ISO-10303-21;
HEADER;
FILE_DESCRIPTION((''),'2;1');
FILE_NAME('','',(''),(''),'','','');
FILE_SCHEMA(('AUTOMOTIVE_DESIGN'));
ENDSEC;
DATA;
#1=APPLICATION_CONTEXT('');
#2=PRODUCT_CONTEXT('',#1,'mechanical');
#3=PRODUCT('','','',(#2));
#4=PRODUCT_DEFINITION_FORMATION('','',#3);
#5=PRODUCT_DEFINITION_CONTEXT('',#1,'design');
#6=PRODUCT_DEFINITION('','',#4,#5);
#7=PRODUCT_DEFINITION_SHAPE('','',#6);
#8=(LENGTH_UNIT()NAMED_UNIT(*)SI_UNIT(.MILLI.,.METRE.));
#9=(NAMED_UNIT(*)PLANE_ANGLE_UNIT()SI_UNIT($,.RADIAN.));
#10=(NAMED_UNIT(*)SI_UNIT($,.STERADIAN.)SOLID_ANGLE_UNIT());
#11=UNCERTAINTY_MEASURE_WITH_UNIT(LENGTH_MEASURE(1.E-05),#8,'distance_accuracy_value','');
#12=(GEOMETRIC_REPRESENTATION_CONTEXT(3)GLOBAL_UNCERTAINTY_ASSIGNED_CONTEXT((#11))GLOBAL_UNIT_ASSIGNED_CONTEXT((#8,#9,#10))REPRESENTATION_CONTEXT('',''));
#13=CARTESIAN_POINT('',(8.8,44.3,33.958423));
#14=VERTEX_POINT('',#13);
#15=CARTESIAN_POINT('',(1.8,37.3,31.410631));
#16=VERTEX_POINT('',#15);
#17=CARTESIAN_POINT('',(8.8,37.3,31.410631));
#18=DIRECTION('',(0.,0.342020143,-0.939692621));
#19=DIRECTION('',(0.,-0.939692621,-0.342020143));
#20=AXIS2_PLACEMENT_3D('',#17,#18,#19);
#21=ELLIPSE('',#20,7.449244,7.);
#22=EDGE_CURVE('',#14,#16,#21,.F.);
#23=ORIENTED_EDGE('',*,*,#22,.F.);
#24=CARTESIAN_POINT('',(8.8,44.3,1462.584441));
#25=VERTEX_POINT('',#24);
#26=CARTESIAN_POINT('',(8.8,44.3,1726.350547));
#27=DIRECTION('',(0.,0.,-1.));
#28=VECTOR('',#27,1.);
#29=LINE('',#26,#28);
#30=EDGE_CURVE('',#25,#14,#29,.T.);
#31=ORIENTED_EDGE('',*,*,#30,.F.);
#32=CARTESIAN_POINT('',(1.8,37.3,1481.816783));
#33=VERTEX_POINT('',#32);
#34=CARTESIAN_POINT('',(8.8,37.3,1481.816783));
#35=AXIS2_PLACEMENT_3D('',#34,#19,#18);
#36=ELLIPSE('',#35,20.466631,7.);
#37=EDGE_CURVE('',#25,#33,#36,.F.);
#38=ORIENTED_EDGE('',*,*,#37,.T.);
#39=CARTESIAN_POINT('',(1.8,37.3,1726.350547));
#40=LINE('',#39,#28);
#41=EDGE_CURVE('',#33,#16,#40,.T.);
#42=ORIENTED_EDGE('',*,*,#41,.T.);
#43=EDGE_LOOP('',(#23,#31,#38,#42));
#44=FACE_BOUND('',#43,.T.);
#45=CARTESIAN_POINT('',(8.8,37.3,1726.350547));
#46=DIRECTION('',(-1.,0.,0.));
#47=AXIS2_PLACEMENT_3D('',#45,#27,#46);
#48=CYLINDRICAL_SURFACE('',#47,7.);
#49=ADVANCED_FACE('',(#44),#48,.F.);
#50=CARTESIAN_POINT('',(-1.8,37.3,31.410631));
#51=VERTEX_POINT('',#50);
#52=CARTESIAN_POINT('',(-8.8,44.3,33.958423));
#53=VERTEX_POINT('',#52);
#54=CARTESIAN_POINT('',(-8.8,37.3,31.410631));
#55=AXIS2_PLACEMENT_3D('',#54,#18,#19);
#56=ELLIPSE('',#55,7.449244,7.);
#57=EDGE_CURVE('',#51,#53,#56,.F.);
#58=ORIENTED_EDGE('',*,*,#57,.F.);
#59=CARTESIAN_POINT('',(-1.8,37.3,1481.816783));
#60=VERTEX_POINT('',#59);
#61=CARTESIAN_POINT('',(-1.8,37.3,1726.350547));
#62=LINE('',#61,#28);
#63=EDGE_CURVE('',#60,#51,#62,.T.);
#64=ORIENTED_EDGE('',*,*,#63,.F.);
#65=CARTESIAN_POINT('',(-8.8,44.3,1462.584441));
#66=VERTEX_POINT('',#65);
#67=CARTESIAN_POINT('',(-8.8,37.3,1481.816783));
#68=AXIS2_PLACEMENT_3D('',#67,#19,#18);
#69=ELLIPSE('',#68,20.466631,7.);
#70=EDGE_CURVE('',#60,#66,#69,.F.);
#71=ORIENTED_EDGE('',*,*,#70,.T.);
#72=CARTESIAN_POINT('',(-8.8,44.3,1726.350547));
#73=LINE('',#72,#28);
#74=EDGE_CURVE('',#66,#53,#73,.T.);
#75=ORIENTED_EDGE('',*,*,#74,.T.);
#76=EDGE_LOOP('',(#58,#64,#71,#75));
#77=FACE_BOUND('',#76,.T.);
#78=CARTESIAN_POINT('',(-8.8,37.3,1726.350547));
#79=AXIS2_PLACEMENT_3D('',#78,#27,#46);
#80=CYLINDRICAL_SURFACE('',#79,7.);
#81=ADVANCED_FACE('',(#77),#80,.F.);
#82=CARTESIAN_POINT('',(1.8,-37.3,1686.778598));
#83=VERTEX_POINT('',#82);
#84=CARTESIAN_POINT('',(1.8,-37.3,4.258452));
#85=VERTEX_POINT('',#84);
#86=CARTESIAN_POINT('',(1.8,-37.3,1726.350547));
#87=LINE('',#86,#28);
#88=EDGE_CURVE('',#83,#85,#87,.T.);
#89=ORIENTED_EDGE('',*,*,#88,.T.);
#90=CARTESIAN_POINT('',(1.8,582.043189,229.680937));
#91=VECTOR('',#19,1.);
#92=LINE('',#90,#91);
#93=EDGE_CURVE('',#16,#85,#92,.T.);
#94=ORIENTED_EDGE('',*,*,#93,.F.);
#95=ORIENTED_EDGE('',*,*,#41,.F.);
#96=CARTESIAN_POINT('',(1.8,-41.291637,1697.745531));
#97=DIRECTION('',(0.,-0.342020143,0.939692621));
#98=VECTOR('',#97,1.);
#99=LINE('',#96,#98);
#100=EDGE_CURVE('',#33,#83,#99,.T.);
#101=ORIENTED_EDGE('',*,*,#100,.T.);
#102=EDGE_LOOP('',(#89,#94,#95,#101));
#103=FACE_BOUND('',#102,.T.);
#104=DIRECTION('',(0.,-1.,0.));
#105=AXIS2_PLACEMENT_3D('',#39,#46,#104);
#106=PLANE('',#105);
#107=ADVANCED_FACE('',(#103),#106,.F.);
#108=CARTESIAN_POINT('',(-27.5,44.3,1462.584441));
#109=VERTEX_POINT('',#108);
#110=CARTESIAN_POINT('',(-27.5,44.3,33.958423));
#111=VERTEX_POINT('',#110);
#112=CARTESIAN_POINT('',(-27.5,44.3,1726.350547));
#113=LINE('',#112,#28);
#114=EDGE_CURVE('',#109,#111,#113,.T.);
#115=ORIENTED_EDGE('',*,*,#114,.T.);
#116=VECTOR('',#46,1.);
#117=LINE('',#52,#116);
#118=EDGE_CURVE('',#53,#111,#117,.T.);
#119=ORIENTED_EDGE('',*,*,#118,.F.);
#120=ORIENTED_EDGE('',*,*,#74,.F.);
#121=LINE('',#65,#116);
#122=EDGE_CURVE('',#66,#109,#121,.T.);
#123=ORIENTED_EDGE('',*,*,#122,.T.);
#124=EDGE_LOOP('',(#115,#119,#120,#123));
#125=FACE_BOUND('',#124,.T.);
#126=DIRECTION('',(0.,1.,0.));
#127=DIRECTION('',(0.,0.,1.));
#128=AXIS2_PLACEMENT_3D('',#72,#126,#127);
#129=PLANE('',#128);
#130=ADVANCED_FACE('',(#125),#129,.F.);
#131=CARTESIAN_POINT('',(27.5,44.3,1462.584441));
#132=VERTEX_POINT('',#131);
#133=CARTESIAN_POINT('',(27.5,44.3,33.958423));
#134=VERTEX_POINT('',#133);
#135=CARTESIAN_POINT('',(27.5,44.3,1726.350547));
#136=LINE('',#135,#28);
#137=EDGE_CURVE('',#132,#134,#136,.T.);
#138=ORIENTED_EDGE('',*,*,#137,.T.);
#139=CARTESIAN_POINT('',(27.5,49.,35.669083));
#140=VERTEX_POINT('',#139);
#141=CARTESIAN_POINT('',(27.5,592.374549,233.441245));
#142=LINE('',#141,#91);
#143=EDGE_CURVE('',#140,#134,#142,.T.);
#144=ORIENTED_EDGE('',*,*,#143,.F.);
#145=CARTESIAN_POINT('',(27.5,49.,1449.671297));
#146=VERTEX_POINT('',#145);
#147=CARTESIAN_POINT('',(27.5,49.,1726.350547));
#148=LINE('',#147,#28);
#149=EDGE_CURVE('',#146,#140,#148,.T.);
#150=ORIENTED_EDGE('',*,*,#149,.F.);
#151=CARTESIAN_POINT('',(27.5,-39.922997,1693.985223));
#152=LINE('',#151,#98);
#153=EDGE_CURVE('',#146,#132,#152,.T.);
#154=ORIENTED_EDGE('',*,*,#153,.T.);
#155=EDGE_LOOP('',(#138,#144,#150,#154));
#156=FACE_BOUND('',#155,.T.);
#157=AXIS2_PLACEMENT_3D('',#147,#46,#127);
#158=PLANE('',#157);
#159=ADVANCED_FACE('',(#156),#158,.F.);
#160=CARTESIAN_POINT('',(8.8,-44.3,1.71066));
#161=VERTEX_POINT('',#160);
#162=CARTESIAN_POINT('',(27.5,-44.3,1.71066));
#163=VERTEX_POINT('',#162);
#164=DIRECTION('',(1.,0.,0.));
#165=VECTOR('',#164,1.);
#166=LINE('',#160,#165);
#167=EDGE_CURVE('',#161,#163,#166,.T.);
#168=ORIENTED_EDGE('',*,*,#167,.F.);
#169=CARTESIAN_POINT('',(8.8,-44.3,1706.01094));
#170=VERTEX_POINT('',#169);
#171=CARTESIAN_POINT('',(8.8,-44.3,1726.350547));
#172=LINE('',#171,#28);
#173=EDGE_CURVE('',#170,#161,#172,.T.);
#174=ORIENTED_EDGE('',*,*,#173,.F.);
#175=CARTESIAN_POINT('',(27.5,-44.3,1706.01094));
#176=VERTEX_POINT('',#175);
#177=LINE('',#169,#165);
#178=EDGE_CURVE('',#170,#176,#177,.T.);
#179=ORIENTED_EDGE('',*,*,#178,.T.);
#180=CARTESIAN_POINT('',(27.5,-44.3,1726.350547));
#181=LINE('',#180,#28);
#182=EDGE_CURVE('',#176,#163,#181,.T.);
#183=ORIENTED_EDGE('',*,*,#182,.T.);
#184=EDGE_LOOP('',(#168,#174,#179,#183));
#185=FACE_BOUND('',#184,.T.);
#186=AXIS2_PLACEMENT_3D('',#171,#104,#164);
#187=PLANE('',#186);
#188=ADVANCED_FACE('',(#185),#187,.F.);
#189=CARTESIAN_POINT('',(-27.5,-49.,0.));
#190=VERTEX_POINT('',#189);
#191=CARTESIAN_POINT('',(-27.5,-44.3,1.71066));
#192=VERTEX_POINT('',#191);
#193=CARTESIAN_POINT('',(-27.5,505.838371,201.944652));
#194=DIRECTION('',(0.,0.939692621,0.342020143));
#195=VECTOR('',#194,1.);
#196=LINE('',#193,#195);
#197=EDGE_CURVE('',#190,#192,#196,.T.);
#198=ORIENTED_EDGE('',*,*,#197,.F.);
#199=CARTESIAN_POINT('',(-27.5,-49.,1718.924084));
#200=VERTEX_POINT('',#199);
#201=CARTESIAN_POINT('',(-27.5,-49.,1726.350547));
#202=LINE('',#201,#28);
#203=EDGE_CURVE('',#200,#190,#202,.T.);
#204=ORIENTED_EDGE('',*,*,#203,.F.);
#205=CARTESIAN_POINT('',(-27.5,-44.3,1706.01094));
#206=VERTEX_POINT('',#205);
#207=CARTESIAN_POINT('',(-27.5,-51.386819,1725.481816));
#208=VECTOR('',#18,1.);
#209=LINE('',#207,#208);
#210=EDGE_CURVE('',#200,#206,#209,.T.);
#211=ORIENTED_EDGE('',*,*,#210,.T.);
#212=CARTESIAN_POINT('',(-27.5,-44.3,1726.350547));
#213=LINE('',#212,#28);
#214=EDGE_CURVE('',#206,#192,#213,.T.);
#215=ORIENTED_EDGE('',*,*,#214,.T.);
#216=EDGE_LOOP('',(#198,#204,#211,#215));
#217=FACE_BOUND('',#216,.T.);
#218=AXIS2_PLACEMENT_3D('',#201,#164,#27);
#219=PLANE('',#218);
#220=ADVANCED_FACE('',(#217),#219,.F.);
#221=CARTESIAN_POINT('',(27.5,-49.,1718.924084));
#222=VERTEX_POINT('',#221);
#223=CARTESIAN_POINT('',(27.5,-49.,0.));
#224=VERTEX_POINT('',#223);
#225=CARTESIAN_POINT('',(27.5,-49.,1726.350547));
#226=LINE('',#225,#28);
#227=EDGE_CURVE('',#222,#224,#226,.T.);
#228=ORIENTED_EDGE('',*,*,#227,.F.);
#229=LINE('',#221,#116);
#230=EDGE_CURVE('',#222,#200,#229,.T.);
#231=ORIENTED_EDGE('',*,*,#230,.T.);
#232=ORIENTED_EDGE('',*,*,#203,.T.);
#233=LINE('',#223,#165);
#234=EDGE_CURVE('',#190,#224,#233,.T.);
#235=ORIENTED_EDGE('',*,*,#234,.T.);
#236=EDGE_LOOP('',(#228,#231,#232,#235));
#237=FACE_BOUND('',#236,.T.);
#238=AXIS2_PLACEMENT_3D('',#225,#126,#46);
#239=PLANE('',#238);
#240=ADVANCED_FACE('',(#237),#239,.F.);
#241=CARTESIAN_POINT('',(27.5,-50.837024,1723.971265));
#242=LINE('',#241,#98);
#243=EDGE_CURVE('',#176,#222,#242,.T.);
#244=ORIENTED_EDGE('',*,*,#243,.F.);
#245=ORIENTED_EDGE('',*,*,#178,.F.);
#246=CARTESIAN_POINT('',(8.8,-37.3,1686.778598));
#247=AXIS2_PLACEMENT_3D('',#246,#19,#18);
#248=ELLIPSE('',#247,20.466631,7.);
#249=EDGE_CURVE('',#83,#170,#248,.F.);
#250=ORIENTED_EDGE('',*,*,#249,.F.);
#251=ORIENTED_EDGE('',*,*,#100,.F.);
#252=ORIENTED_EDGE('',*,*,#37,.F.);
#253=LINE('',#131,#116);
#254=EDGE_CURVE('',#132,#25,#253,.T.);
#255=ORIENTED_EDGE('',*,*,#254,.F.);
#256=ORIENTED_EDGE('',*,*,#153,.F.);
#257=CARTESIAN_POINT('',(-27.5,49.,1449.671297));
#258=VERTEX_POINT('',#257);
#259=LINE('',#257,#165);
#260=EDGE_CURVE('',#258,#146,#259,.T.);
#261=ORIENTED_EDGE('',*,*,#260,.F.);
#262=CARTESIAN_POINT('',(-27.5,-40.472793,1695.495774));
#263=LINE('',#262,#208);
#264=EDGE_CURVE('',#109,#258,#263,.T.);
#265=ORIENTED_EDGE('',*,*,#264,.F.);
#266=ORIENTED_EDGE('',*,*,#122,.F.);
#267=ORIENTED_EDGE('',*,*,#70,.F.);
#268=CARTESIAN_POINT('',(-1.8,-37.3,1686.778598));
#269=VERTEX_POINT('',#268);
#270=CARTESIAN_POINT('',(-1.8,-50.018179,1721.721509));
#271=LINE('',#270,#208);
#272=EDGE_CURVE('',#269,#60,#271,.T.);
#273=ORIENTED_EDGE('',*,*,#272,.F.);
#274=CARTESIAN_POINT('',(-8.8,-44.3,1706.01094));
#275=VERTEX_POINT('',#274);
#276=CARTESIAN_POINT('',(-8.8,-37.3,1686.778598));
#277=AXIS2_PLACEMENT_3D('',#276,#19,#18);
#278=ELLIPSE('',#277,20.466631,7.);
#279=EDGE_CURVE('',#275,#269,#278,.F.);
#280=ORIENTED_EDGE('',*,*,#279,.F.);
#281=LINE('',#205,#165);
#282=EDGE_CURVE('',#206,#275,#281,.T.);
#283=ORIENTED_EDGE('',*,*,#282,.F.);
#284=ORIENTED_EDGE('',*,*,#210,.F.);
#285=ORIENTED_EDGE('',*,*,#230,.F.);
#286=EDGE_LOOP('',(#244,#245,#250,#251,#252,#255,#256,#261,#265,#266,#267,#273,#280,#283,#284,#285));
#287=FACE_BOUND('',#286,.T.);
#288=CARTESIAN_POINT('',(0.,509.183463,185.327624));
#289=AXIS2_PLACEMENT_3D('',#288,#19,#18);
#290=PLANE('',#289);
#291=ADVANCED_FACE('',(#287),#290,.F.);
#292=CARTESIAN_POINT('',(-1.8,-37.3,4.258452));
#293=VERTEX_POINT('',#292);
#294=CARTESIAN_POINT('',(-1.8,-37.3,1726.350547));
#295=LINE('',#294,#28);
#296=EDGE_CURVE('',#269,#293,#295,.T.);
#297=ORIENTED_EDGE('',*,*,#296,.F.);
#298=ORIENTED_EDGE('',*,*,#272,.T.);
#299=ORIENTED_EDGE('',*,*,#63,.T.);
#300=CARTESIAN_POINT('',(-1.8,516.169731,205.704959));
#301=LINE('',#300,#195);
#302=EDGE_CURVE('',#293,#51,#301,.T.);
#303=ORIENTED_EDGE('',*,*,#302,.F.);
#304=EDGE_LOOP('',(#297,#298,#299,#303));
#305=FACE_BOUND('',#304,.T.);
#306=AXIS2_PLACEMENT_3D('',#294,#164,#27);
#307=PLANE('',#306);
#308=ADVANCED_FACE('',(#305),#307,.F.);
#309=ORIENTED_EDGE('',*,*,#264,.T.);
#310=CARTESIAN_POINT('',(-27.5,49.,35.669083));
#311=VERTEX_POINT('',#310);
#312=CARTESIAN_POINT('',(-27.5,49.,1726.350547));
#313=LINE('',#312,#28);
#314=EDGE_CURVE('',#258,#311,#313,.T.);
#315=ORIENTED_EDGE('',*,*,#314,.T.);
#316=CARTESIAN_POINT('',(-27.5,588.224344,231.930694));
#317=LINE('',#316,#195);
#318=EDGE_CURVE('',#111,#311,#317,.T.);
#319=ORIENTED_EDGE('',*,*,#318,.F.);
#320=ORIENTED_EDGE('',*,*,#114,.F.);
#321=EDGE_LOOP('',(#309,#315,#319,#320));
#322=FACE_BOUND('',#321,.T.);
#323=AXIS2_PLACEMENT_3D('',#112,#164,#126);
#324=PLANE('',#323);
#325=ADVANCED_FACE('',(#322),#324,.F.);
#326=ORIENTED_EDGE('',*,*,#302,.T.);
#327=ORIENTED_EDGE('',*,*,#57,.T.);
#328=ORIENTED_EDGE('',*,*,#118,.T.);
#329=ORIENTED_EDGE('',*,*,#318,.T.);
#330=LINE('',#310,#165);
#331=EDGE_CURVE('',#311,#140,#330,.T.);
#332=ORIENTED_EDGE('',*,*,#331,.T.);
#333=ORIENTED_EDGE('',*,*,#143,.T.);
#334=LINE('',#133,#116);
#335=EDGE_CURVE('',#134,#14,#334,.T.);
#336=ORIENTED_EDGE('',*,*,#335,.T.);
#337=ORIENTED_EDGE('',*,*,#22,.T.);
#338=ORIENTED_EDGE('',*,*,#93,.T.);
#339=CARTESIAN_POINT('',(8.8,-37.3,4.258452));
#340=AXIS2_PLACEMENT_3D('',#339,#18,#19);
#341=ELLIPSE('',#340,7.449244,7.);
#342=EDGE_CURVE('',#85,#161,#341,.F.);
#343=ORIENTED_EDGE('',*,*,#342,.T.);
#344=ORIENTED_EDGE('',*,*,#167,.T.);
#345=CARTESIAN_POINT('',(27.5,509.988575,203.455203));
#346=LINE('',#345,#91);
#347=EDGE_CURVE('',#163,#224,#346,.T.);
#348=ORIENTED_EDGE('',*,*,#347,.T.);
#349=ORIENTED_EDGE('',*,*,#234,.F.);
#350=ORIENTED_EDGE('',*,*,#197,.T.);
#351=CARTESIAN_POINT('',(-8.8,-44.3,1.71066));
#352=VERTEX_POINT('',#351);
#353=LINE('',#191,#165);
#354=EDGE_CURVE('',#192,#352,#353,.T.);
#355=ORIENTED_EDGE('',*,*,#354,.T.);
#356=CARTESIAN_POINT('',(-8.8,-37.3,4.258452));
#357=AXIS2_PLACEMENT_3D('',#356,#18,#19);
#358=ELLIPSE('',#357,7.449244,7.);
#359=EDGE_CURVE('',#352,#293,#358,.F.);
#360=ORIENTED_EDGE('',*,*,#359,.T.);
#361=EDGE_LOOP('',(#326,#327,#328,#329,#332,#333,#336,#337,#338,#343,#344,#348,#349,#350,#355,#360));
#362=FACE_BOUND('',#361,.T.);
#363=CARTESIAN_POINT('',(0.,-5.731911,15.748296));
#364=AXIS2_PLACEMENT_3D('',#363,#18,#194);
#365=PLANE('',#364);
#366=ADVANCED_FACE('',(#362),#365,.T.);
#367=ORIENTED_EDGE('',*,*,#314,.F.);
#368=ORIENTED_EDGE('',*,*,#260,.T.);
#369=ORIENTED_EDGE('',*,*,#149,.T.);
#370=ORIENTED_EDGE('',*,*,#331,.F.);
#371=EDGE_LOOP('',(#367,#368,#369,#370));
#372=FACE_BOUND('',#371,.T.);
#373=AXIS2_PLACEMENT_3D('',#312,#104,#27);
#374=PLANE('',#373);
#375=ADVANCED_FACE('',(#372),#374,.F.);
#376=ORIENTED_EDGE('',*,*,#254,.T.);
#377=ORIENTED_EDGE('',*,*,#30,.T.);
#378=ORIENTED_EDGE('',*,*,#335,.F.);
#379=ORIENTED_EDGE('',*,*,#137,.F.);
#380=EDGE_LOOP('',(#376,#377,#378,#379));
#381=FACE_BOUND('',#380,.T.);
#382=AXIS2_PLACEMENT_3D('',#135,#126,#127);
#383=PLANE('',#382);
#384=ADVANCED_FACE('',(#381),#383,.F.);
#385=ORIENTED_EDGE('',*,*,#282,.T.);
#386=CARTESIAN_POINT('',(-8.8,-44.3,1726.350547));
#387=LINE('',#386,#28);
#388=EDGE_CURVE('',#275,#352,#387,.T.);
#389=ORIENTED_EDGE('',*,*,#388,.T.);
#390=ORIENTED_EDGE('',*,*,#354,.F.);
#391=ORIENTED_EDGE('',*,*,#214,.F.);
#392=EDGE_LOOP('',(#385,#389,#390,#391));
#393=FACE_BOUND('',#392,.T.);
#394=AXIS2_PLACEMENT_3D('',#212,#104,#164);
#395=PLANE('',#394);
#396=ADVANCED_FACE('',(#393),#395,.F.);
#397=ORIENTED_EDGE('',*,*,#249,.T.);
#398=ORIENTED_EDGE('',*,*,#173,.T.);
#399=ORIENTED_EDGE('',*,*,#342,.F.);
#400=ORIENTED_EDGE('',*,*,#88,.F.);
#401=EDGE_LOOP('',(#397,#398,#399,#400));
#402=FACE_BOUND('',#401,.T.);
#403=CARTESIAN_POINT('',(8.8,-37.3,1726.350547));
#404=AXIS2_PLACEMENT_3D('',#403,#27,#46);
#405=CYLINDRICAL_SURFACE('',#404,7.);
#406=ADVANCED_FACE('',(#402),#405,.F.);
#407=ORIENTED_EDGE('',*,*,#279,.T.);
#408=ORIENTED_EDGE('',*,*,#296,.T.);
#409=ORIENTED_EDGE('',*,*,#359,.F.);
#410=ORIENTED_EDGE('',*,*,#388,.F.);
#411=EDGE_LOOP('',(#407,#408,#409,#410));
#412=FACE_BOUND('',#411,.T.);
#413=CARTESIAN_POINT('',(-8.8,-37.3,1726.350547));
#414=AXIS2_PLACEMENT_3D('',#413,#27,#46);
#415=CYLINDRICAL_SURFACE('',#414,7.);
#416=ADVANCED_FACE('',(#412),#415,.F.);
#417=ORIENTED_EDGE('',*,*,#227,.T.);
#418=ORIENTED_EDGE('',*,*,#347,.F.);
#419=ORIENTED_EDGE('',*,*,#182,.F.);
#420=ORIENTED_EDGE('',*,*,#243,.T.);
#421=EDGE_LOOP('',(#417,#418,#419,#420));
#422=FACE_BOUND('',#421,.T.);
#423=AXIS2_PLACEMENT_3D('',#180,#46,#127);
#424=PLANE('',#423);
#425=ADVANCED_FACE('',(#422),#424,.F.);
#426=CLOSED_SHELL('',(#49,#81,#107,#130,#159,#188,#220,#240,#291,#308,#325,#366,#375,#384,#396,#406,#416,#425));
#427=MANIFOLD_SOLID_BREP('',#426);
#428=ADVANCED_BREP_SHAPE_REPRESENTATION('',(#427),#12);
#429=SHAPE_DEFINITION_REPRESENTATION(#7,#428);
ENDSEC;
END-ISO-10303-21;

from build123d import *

# Parameters (mm, degrees)
BOSS_EXTRUDE1_DEPTH     = 1726.350547376
SKETCH2_W               = 211.702458594
SKETCH2_H               = 483.586926944
CUT_EXTRUDE1_DEPTH      = 34.517974046
SKETCH3_W               = 200.611820877
SKETCH3_H               = 857.421683483
CUT_EXTRUDE3_DEPTH      = 93.089876837
CUT_EXTRUDE3_DEPTH_BACK = 2.54


with BuildPart() as part:
    # Sketch1 → Boss-Extrude1 (new body)
    with BuildSketch(Plane.XY):
        with BuildLine():
            Line((-27.5, 49), (27.5, 49))
            Line((27.5, 49), (27.5, 44.3))
            Line((27.5, 44.3), (8.8, 44.3))
            ThreePointArc((8.8, 44.3), (3.850252532, 42.249747468), (1.8, 37.3))
            Line((1.8, 37.3), (1.8, -37.3))
            ThreePointArc((1.8, -37.3), (3.850252532, -42.249747468), (8.8, -44.3))
            Line((8.8, -44.3), (27.5, -44.3))
            Line((27.5, -44.3), (27.5, -49))
            Line((27.5, -49), (-27.5, -49))
            Line((-27.5, -49), (-27.5, -44.3))
            Line((-27.5, -44.3), (-8.8, -44.3))
            ThreePointArc((-8.8, -44.3), (-3.850252532, -42.249747468), (-1.8, -37.3))
            Line((-1.8, -37.3), (-1.8, 37.3))
            ThreePointArc((-1.8, 37.3), (-3.850252532, 42.249747468), (-8.8, 44.3))
            Line((-8.8, 44.3), (-27.5, 44.3))
            Line((-27.5, 44.3), (-27.5, 49))
        make_face()
    extrude(amount=BOSS_EXTRUDE1_DEPTH)

    # Sketch2 → Cut-Extrude1 (cut, through all)
    with BuildSketch(Plane(origin=(0, -5.731911144, 15.748296437), x_dir=(1, 0, 0), z_dir=(0, -0.342020143, 0.939692621))):
        with Locations((0, 13.030857736)):
            Rectangle(SKETCH2_W, SKETCH2_H)
    extrude(amount=-CUT_EXTRUDE1_DEPTH, mode=Mode.SUBTRACT)

    # Sketch3 → Cut-Extrude3 (cut, two sides)
    with BuildSketch(Plane(origin=(0, 511.570282058, 186.196355404), x_dir=(1, 0, 0), z_dir=(0, 0.939692621, 0.342020143))) as cut_extrude3_sk:
        with Locations((34.7211676, -1334.740482361)):
            Rectangle(SKETCH3_W, SKETCH3_H)
    extrude(amount=CUT_EXTRUDE3_DEPTH, mode=Mode.SUBTRACT)
    extrude(cut_extrude3_sk.sketch, amount=-CUT_EXTRUDE3_DEPTH_BACK, mode=Mode.SUBTRACT)


solid = part.part
